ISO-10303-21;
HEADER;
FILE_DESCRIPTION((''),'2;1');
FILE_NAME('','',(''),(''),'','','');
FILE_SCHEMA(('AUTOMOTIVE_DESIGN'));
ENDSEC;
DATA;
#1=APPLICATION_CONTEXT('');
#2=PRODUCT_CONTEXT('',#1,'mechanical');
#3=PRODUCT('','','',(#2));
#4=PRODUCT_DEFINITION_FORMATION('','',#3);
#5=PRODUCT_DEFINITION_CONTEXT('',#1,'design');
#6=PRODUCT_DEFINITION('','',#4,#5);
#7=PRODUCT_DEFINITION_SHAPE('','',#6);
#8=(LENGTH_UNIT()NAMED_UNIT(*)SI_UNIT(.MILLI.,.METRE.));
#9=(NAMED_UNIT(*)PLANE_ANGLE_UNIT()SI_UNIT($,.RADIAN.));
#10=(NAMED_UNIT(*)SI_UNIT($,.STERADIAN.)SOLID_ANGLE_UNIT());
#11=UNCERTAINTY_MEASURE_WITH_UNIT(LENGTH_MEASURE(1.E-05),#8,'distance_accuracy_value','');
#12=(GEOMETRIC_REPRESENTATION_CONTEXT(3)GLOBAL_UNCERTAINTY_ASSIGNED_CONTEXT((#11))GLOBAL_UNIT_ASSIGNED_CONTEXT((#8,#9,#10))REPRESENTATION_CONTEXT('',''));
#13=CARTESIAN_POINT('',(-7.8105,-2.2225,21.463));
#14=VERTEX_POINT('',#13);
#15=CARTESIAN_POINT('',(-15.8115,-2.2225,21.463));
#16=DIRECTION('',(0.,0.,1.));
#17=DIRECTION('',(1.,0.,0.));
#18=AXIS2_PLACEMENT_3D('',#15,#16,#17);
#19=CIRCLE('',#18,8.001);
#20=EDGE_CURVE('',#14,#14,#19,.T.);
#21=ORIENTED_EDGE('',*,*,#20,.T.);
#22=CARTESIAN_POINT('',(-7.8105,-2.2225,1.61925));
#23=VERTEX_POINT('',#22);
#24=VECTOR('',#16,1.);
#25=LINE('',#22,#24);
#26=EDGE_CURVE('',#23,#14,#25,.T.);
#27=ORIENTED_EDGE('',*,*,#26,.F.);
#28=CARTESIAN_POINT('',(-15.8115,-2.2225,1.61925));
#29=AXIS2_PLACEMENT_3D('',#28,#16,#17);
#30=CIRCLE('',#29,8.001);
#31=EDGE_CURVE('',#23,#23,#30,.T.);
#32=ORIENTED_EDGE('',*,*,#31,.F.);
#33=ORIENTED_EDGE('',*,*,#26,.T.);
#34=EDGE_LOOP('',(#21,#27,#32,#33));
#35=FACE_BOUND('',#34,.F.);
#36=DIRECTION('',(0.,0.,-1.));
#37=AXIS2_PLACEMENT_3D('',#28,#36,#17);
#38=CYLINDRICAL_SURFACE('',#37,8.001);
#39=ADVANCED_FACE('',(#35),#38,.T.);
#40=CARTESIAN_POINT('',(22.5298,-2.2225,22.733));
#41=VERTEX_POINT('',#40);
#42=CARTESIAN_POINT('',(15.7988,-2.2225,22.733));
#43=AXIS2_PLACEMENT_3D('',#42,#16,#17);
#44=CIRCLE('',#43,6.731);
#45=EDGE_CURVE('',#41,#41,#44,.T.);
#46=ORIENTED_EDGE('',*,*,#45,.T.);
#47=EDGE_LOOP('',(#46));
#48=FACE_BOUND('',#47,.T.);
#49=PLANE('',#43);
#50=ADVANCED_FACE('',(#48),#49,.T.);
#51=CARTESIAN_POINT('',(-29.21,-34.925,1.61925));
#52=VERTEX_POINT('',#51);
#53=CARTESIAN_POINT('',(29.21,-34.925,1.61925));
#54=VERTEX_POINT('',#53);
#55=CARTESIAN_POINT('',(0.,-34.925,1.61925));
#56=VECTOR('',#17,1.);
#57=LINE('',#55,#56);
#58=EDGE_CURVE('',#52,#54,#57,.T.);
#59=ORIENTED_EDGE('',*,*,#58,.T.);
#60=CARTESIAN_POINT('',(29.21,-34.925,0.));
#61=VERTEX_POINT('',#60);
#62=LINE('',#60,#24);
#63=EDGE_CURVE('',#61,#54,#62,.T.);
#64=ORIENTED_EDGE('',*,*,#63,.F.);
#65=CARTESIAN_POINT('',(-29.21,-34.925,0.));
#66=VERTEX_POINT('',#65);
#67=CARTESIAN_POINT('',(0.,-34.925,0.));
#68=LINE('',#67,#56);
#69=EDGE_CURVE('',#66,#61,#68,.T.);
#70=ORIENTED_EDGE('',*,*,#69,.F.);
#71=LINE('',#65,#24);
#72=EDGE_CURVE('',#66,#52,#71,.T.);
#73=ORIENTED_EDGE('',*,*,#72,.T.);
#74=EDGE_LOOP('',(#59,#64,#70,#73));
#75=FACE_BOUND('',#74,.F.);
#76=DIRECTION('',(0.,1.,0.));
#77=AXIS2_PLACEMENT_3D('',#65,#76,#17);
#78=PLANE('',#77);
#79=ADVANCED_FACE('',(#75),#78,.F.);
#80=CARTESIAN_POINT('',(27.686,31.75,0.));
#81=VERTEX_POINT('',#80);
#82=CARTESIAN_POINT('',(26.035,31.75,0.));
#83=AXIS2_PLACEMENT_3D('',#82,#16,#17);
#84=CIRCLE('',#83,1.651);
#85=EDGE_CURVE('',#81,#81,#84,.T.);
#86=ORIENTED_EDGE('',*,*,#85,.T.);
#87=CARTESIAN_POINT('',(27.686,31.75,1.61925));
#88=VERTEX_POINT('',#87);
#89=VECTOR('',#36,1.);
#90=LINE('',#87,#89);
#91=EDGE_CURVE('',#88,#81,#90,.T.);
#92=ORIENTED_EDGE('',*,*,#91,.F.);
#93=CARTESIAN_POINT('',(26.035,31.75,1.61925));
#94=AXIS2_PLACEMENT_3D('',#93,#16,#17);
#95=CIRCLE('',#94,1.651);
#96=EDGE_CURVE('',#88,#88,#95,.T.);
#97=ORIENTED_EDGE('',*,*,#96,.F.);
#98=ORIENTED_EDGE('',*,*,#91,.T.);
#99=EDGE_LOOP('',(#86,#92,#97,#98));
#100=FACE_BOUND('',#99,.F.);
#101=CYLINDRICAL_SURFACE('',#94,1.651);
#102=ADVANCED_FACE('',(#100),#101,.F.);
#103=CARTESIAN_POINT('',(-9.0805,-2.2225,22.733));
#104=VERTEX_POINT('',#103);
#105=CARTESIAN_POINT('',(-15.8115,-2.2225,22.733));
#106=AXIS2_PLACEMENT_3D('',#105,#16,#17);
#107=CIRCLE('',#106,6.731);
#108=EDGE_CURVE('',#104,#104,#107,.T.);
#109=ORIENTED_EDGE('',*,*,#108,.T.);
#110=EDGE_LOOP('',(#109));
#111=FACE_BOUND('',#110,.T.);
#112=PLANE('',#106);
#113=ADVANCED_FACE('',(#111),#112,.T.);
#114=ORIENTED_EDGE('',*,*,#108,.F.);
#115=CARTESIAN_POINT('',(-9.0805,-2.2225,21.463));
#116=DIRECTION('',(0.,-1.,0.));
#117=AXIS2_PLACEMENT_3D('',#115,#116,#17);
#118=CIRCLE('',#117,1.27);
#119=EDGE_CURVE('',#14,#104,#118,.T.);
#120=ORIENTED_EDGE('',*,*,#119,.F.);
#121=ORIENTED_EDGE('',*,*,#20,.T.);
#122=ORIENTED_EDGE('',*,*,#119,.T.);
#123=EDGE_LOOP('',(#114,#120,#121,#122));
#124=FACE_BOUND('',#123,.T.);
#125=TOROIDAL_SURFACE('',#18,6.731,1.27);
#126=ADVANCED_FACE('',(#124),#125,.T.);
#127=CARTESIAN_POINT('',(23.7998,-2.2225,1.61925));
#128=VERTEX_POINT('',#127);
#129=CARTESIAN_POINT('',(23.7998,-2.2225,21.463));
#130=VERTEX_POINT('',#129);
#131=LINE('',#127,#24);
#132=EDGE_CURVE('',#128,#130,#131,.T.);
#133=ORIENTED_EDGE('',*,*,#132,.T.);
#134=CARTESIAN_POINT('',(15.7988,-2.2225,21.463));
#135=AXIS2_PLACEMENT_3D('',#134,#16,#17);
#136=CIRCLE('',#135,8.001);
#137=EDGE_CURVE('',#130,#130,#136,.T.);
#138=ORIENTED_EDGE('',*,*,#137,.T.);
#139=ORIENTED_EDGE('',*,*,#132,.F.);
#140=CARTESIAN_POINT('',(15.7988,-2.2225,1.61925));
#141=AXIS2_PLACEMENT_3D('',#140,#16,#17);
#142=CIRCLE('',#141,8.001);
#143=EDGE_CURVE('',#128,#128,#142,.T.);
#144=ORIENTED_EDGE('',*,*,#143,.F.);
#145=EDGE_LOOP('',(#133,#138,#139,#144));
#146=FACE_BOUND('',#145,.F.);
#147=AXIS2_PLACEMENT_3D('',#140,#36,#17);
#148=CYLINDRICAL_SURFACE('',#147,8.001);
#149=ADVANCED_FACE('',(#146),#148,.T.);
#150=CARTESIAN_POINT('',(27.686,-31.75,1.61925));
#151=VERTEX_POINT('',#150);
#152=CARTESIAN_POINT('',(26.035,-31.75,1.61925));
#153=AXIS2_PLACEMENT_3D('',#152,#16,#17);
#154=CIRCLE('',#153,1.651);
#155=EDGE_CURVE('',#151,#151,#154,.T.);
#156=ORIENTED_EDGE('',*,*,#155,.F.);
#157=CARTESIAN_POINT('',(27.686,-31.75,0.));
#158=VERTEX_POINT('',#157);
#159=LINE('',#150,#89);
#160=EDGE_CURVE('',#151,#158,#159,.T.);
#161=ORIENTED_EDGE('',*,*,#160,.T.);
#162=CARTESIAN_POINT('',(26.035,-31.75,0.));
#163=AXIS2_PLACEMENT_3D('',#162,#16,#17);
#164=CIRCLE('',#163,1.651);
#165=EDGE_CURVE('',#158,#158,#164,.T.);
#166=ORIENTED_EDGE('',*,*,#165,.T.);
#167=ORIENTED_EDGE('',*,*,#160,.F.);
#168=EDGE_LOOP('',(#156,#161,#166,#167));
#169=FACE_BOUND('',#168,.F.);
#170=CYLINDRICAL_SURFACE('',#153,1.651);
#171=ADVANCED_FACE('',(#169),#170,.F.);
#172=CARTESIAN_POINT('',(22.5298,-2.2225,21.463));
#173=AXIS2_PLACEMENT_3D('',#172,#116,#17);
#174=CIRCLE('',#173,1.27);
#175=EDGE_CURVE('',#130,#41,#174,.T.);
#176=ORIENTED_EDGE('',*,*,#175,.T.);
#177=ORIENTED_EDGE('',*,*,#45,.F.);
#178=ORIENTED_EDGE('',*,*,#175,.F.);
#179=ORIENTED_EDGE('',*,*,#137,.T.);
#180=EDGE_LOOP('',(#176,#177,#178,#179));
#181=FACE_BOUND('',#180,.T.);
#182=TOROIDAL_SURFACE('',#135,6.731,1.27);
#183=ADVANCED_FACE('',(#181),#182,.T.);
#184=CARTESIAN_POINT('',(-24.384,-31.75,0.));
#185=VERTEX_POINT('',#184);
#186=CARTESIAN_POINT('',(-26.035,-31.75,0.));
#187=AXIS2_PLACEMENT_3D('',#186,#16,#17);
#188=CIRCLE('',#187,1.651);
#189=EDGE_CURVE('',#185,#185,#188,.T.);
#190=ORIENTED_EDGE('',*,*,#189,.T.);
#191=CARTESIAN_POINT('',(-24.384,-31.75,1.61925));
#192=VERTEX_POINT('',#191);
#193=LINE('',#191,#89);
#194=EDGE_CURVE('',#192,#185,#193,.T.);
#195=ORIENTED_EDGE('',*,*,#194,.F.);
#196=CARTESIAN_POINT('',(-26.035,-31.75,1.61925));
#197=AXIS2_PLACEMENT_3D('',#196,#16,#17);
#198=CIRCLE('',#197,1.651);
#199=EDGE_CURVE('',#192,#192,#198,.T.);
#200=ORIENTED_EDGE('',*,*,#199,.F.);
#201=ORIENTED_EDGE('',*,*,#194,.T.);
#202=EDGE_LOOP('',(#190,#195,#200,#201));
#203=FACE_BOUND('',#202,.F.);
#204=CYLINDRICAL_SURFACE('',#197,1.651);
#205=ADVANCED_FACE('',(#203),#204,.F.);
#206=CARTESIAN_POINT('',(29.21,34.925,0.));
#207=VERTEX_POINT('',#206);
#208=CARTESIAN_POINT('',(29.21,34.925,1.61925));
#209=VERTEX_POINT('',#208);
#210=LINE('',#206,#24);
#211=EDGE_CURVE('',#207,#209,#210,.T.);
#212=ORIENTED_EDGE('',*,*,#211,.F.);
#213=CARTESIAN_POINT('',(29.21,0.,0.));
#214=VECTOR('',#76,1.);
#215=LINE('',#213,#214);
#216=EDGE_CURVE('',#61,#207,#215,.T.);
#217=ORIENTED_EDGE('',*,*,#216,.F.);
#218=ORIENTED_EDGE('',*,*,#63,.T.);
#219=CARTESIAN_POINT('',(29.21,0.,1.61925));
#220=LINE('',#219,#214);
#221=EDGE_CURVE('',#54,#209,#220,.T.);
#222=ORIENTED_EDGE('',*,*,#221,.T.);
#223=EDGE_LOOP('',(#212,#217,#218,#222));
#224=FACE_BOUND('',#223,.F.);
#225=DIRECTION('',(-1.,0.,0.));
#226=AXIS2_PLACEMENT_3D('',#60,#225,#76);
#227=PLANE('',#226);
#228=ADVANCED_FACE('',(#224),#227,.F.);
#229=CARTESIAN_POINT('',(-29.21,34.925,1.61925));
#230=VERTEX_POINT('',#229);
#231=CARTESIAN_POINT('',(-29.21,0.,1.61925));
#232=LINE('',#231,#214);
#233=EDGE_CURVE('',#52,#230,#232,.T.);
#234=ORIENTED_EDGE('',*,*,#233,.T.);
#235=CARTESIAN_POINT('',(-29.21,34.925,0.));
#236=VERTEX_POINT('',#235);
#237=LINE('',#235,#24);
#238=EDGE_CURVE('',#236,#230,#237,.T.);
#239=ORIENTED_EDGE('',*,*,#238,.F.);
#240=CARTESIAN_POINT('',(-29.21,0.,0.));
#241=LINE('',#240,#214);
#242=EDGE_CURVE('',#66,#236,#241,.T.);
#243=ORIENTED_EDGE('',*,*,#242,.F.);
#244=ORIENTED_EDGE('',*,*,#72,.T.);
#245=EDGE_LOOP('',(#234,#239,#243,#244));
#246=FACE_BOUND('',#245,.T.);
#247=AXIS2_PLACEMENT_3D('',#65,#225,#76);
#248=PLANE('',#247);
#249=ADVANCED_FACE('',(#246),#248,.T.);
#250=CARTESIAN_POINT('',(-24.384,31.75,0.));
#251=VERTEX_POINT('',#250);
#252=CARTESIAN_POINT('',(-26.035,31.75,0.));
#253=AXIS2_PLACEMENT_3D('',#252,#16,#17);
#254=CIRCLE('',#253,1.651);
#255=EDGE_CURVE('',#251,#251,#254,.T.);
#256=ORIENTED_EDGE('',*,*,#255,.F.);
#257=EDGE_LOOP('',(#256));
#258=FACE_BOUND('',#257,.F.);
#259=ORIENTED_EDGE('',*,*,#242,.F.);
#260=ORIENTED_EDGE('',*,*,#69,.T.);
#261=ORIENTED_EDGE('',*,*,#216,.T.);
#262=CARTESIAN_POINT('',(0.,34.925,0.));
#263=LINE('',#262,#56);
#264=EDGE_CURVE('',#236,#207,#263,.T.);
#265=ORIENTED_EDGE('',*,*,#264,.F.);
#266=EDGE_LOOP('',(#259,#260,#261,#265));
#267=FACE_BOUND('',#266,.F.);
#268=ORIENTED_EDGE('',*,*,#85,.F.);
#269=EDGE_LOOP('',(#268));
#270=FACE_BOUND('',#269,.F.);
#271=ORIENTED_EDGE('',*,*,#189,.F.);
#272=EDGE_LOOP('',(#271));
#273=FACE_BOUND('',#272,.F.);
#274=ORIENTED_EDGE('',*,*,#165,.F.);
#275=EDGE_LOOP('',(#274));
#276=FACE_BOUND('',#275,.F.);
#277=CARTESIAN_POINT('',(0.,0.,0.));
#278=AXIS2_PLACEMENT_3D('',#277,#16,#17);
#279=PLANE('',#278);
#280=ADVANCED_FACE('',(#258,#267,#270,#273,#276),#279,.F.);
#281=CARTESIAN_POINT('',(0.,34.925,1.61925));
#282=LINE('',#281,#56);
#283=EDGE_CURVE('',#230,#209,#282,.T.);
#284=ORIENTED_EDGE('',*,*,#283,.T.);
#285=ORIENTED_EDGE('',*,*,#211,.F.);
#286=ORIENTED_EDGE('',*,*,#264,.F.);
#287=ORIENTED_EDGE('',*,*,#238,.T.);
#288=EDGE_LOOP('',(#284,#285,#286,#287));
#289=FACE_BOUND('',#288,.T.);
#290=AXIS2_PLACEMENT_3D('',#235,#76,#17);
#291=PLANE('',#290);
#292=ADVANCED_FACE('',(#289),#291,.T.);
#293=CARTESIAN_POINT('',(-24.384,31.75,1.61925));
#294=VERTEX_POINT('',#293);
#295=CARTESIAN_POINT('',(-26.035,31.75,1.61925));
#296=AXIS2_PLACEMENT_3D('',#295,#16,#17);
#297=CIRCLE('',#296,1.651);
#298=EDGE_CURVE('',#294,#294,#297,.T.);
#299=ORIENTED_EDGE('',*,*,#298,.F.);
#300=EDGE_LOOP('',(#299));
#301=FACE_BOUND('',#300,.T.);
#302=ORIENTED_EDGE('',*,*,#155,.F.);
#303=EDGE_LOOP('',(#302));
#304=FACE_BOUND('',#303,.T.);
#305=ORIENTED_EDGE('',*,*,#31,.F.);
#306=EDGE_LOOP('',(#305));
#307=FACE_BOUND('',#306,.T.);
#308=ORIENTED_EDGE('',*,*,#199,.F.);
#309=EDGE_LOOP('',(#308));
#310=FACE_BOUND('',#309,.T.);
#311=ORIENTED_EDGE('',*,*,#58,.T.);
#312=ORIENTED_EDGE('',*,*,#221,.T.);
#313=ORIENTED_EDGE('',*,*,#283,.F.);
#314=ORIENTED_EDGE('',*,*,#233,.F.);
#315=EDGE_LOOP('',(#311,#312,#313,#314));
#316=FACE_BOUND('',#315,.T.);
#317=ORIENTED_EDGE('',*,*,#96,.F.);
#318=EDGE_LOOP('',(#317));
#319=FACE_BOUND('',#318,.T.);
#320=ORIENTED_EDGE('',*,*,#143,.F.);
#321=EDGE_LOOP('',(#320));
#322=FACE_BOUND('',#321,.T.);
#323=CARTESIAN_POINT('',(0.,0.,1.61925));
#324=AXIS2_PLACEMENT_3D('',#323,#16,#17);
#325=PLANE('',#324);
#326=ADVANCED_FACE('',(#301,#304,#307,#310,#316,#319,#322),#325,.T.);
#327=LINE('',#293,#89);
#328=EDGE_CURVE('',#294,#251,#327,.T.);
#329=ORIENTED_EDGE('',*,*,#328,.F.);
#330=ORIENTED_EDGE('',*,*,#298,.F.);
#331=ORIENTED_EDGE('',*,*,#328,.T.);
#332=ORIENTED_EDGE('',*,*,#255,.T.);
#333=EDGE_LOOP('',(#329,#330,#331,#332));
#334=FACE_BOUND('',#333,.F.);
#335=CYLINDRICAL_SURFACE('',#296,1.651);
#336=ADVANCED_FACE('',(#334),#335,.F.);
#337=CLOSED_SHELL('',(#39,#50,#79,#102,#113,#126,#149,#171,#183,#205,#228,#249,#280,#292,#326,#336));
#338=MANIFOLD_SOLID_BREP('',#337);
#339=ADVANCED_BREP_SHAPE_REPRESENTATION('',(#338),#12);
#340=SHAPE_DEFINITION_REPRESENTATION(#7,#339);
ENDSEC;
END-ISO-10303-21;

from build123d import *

# Parameters (mm, degrees)
F0_W     = 58.42
F0_H     = 69.85
F1_DEPTH = 1.61925
F2_R     = 1.651
F3_DEPTH = 25.4
F4_R     = 8.001
F5_DEPTH = 21.11375
F6_R     = 1.27


with BuildPart() as f1:
    # F0 (on Top) → F1 (new body)
    with BuildSketch(Plane.XY):
        Rectangle(F0_W, F0_H)
    extrude(amount=F1_DEPTH)

    # F2 (on face) → F3 (cut)
    with BuildSketch(Plane.XY.offset(1.61925)):
        with Locations((-26.035, -31.75)):
            Circle(F2_R)
        with Locations((26.035, -31.75)):
            Circle(F2_R)
        with Locations((-26.035, 31.75)):
            Circle(F2_R)
        with Locations((26.035, 31.75)):
            Circle(F2_R)
    extrude(amount=-F3_DEPTH, mode=Mode.SUBTRACT)

    # F4 (on face) → F5 (join)
    with BuildSketch(Plane.XY.offset(1.61925)):
        with Locations((-15.8115, -2.2225)):
            Circle(F4_R)
        with Locations((15.7988, -2.2225)):
            Circle(F4_R)
    extrude(amount=F5_DEPTH)

    # F6
    f6_edges = [f1.edges().sort_by_distance(p)[0] for p in [
        (-23.8125, -2.2225, 22.733),
        (7.7978, -2.2225, 22.733),
    ]]
    fillet(f6_edges, radius=F6_R)


solid = f1.part
